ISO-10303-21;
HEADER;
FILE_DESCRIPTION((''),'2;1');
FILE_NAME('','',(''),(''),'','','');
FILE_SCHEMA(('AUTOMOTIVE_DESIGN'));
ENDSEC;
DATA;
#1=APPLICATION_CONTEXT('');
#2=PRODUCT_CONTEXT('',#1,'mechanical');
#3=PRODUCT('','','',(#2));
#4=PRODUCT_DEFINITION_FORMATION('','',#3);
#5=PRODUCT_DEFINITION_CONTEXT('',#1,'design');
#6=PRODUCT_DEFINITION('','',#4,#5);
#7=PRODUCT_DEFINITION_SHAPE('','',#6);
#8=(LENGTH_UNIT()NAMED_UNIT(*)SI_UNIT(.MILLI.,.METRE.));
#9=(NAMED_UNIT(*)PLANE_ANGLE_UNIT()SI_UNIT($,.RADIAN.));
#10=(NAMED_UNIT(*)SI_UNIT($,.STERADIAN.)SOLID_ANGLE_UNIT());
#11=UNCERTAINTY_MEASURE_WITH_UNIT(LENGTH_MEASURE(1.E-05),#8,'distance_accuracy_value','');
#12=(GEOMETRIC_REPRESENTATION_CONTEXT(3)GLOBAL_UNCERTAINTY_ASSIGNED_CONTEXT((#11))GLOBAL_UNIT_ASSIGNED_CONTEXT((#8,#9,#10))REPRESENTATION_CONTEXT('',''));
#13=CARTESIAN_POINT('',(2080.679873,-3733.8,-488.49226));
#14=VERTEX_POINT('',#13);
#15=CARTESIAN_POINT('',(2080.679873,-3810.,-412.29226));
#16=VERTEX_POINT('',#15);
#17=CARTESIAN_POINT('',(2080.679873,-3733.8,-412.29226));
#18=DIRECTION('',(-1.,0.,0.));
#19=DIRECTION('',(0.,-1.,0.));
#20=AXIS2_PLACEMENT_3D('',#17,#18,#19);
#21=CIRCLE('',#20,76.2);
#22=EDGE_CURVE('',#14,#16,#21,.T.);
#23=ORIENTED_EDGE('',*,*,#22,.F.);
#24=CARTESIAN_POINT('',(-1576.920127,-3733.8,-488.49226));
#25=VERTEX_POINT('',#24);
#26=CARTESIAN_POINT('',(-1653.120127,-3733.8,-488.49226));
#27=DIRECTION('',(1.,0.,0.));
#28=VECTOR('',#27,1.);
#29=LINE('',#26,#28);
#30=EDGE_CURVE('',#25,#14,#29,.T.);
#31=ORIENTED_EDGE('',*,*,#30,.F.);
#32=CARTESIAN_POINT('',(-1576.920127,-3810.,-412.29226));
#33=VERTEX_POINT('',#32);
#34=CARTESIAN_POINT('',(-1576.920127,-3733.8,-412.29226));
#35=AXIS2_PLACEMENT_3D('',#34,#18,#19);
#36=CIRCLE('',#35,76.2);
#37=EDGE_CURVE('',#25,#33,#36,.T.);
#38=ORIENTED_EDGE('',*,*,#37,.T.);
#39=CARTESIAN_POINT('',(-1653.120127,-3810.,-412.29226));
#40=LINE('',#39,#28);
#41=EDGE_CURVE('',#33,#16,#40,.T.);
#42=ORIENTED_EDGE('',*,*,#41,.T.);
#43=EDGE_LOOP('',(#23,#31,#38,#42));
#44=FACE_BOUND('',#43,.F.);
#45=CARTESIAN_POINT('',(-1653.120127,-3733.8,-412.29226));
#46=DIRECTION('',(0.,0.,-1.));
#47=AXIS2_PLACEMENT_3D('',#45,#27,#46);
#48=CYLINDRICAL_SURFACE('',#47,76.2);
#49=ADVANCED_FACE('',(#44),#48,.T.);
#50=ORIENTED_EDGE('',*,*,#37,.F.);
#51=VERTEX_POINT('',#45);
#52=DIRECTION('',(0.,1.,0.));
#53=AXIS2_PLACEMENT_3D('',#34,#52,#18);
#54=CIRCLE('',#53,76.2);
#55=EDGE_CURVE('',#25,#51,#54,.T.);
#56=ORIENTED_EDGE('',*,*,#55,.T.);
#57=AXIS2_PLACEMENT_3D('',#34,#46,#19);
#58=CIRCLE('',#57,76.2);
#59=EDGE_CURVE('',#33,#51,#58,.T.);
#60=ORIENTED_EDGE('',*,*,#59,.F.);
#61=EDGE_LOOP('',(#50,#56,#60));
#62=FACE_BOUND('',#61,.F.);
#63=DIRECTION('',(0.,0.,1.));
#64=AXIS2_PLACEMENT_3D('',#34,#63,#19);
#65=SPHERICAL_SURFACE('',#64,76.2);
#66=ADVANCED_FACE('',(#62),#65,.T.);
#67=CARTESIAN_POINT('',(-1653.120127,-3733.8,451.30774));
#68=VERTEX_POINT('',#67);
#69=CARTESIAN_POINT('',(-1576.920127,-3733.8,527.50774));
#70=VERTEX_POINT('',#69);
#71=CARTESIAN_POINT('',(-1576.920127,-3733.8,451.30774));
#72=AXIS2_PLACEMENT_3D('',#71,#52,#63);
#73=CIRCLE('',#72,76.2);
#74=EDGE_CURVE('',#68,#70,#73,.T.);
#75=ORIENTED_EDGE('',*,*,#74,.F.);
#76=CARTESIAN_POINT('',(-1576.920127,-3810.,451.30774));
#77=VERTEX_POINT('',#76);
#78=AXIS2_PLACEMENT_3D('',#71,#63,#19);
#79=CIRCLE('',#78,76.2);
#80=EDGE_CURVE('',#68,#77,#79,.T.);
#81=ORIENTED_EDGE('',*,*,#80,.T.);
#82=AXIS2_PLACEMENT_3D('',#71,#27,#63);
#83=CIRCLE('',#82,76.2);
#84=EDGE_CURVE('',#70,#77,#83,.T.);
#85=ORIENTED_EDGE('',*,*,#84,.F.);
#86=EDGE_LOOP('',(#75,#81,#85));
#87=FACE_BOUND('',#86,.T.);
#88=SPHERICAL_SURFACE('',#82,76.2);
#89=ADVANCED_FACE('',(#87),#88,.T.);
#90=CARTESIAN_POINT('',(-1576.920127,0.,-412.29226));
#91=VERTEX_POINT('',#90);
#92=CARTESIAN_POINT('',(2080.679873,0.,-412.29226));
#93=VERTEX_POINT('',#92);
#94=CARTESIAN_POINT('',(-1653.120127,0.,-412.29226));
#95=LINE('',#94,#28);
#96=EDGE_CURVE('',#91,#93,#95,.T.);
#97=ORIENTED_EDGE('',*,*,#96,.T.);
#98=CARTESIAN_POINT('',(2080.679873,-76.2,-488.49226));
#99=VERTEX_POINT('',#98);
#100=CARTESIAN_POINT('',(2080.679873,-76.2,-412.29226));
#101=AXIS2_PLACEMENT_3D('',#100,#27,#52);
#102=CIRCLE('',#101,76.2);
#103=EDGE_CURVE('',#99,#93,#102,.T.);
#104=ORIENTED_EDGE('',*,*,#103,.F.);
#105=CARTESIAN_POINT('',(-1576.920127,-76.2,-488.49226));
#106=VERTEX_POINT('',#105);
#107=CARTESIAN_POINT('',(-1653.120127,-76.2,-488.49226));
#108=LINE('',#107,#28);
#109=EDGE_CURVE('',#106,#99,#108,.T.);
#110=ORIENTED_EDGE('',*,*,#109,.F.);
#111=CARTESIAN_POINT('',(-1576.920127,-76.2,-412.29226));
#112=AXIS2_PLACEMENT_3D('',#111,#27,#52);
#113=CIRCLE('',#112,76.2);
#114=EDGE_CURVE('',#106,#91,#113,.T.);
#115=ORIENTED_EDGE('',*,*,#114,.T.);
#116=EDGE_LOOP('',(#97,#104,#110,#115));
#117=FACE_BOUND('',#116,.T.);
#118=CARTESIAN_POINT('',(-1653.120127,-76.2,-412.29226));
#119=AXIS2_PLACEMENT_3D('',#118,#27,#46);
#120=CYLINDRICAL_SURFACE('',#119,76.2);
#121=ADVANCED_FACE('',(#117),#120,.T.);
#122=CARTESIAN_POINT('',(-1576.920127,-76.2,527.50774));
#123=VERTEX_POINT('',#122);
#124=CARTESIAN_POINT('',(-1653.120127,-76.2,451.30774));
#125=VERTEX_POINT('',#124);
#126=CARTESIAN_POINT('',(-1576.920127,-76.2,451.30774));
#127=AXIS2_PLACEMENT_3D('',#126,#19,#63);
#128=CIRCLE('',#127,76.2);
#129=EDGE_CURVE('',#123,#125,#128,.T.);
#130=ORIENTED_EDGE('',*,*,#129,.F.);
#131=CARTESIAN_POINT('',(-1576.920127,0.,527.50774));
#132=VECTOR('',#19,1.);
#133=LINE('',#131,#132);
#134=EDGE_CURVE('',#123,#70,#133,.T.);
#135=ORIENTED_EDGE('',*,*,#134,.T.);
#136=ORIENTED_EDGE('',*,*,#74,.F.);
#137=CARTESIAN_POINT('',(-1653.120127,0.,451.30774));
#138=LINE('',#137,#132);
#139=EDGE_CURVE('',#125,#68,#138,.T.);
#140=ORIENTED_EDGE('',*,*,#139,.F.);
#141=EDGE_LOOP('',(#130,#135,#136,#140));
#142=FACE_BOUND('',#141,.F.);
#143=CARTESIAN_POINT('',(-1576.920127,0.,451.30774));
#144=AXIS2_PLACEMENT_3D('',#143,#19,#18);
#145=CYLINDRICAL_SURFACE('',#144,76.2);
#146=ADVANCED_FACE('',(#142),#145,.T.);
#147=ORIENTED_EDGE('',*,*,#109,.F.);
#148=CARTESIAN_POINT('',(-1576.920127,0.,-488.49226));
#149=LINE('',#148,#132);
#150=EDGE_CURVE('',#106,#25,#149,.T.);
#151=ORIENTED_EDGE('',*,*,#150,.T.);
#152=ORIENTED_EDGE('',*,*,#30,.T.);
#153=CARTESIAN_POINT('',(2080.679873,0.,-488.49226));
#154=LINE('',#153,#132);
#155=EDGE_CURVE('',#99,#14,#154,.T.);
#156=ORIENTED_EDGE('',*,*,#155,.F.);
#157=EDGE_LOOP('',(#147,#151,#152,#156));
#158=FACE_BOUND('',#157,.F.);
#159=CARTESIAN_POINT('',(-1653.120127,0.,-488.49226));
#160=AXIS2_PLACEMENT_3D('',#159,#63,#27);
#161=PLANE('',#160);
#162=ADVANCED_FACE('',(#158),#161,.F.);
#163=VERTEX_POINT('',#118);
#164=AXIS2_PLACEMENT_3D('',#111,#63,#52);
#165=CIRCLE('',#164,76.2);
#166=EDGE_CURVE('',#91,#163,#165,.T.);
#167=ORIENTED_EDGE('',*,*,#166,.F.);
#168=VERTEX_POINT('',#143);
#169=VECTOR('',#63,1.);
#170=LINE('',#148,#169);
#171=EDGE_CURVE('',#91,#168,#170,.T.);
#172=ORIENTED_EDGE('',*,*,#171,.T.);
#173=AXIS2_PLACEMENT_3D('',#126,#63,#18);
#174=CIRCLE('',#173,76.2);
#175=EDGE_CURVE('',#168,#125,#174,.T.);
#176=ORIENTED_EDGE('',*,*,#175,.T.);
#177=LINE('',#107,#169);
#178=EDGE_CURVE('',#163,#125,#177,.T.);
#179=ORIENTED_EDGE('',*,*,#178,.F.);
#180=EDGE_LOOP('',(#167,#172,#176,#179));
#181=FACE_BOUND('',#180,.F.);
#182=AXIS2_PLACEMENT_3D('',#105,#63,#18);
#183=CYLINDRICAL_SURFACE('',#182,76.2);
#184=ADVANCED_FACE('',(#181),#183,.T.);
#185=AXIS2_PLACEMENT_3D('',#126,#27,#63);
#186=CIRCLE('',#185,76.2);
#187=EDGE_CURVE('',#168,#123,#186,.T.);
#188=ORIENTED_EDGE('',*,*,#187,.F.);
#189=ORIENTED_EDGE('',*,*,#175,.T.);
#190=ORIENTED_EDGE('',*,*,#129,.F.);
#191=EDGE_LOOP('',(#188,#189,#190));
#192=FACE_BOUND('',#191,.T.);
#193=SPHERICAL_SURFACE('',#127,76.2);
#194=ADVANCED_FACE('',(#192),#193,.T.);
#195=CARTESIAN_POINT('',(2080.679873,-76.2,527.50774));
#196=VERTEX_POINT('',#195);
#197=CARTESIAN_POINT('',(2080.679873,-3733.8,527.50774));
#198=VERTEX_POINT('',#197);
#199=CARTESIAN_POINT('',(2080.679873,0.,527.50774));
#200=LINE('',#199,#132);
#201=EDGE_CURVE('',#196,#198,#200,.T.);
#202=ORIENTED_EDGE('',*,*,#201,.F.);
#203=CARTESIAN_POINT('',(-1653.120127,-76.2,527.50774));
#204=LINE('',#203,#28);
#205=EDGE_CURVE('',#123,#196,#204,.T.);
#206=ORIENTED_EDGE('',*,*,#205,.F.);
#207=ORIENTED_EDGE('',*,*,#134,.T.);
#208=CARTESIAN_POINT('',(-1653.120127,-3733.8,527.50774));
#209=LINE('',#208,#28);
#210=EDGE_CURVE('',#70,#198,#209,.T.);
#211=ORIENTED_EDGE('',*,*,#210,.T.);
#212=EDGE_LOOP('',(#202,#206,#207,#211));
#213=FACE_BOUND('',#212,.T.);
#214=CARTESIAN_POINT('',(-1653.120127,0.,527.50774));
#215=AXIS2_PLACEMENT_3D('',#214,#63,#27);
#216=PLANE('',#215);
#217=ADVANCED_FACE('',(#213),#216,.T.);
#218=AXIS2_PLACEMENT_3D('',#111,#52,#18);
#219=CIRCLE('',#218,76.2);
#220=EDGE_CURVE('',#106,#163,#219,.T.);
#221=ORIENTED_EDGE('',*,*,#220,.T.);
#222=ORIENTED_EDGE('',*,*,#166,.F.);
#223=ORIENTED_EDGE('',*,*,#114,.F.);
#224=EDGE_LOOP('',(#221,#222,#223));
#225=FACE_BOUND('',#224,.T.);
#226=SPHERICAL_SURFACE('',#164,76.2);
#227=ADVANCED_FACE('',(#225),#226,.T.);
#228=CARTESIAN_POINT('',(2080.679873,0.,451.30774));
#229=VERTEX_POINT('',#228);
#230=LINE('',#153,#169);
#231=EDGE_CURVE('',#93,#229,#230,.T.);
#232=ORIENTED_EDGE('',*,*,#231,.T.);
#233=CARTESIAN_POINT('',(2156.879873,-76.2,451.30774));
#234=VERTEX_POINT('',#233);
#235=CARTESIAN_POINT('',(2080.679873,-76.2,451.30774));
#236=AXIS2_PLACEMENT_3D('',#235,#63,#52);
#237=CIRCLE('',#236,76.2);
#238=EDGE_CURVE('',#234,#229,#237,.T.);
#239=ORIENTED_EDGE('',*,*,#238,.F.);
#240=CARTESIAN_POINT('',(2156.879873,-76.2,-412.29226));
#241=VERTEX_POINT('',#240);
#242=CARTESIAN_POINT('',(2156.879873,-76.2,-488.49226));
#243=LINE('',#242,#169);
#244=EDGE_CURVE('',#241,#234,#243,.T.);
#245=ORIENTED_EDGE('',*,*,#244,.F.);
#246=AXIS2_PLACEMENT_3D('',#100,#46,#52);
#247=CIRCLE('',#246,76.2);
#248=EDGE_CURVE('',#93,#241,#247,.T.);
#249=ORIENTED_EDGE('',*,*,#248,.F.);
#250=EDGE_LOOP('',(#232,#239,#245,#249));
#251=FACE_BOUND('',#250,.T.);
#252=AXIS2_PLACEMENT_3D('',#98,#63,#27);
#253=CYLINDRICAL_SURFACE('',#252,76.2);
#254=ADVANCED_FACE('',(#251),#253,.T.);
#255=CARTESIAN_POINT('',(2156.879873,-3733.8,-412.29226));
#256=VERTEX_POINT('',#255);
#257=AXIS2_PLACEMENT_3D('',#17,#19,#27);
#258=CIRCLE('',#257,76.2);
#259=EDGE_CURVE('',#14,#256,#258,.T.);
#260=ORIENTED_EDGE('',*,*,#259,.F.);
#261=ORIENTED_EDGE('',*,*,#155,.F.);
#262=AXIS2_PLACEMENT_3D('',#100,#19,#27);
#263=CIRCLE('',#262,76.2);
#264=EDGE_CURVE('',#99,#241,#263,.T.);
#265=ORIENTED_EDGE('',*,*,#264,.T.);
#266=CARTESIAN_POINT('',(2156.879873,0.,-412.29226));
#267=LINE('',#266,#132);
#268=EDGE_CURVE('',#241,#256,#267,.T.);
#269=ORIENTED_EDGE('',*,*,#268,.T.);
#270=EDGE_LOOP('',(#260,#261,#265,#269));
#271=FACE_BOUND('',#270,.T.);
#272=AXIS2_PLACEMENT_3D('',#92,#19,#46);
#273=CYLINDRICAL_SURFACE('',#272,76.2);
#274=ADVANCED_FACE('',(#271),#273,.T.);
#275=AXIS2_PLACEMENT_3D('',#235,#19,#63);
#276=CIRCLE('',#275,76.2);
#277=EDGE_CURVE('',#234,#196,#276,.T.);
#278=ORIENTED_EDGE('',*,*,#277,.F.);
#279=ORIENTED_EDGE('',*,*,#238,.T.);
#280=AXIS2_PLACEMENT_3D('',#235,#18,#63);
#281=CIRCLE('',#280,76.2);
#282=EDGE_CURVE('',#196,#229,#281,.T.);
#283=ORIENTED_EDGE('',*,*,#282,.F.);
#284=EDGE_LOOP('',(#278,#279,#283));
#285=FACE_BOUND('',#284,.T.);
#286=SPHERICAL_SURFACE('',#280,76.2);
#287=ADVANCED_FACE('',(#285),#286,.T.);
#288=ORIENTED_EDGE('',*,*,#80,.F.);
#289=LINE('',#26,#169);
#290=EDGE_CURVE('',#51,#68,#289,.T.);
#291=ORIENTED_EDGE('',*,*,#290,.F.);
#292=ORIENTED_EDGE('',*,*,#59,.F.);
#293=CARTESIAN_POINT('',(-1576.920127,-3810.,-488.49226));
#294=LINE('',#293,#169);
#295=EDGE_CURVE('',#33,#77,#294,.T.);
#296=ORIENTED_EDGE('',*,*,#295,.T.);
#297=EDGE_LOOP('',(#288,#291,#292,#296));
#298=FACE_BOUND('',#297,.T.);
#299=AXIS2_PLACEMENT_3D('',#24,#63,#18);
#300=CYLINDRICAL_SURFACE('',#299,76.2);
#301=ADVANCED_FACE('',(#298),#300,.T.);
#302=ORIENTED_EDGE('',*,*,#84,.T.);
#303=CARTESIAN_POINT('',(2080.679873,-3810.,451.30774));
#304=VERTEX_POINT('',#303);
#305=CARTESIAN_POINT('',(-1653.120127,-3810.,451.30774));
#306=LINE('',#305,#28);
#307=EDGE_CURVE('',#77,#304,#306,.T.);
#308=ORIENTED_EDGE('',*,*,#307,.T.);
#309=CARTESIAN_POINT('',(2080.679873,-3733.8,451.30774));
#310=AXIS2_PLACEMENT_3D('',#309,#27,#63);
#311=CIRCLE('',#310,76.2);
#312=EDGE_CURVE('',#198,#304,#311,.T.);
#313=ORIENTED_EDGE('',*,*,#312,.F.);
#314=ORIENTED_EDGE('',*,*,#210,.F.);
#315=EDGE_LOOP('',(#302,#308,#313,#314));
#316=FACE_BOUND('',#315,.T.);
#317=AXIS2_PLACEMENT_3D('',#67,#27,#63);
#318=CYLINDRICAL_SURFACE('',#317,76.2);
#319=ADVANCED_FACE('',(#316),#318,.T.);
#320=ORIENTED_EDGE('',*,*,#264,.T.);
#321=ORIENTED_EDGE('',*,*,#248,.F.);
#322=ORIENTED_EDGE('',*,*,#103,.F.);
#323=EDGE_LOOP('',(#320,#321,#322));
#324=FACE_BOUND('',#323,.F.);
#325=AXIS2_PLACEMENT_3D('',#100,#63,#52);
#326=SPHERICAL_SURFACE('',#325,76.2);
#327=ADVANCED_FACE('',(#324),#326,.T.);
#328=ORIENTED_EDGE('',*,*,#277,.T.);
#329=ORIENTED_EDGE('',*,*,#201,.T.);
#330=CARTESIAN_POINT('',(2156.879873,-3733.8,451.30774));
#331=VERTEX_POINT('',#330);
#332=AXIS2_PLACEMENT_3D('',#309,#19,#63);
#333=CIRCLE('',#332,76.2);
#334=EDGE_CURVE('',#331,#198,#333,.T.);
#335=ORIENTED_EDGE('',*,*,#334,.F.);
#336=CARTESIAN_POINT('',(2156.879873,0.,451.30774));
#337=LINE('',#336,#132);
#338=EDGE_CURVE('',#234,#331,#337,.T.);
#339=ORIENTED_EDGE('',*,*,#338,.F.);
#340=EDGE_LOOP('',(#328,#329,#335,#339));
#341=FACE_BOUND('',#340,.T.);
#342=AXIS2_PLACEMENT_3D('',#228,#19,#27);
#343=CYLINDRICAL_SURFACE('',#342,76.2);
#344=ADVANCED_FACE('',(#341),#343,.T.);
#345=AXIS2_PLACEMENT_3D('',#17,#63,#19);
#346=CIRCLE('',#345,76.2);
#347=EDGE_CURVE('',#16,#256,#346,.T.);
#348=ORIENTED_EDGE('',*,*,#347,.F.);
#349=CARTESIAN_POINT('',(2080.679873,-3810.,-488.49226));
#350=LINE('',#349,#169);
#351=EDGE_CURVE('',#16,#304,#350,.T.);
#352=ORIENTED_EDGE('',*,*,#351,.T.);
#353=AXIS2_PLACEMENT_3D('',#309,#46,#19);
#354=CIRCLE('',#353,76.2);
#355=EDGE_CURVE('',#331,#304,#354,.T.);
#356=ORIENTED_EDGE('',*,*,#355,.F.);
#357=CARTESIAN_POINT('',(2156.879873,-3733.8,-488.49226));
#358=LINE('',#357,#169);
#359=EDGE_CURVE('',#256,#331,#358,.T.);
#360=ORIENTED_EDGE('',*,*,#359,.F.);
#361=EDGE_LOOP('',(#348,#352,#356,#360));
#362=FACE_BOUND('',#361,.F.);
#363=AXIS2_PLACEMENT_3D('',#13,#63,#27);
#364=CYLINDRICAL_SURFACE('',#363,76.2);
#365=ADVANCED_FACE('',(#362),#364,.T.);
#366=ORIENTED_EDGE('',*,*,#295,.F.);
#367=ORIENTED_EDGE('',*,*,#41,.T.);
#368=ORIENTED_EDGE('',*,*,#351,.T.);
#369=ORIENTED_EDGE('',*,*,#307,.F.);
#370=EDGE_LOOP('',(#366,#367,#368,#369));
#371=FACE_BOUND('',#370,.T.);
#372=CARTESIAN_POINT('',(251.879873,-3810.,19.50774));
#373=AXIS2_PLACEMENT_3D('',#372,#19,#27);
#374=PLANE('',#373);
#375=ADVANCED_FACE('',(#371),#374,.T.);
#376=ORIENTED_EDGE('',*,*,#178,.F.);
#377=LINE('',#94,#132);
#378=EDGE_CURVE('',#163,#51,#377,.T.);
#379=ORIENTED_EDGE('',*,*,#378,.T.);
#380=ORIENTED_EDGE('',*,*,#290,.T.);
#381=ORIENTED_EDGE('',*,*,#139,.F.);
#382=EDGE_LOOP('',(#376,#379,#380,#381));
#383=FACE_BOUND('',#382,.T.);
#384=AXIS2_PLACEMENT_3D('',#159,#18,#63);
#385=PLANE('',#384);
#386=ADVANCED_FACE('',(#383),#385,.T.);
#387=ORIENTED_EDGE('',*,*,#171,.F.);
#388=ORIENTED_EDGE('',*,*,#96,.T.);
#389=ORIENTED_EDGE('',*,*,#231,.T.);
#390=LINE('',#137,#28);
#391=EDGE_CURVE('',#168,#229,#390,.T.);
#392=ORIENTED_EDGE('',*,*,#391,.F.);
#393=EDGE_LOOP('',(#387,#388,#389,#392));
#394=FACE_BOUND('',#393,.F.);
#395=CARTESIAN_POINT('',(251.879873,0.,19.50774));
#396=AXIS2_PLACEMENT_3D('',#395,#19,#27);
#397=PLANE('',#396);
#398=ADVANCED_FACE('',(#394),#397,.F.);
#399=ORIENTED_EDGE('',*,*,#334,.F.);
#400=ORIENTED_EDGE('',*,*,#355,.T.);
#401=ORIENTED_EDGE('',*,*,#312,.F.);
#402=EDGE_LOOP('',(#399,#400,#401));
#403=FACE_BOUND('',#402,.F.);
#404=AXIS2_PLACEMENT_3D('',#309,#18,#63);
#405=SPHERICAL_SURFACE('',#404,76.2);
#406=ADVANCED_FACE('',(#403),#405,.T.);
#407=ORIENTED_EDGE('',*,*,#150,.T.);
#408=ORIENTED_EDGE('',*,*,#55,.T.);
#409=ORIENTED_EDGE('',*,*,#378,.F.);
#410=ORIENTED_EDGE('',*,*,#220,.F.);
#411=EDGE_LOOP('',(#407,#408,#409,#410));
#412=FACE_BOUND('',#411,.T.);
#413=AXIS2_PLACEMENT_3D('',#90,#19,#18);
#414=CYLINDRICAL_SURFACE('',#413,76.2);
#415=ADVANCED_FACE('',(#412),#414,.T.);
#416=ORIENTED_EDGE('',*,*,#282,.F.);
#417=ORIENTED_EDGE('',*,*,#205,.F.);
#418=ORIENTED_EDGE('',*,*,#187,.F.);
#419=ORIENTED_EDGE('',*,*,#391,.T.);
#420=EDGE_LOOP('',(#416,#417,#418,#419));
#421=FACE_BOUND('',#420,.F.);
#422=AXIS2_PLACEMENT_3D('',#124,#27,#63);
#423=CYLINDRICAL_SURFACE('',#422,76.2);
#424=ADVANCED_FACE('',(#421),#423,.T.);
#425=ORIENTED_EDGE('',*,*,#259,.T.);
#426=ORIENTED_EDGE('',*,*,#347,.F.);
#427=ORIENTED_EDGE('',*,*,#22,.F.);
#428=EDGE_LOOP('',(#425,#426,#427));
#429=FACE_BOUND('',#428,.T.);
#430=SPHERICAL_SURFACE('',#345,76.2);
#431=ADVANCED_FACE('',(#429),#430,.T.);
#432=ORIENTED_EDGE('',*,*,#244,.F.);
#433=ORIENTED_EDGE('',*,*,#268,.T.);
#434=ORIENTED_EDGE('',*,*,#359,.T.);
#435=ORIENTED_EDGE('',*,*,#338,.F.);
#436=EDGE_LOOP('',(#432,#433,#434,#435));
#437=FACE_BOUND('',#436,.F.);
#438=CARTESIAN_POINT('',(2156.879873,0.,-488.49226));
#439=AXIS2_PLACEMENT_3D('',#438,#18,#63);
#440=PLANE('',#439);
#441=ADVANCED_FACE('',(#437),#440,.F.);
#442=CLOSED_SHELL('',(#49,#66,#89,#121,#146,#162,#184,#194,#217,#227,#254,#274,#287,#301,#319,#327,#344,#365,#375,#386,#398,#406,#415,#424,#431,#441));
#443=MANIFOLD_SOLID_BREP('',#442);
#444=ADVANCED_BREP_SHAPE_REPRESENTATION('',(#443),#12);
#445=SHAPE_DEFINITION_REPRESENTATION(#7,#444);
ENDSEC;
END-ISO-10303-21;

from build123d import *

# Parameters (mm, degrees)
F0_W     = 3810
F0_H     = 1016
F1_DEPTH = 3810
F2_R     = 76.2


with BuildPart() as f1:
    # F0 (on Front) → F1 (new body)
    with BuildSketch(Plane.XZ):
        with Locations((251.8798733399, 19.5077396929)):
            Rectangle(F0_W, F0_H)
    extrude(amount=F1_DEPTH)

    # F2
    f2_edges = [f1.edges().sort_by_distance(p)[0] for p in [
        (251.879873, -3810, 527.50774),
        (-1653.120127, -1905, 527.50774),
        (251.879873, 0, 527.50774),
        (2156.879873, -1905, 527.50774),
        (2156.879873, 0, 19.50774),
        (2156.879873, -3810, 19.50774),
        (-1653.120127, 0, 19.50774),
        (251.879873, 0, -488.49226),
        (-1653.120127, -3810, 19.50774),
        (251.879873, -3810, -488.49226),
        (2156.879873, -1905, -488.49226),
        (-1653.120127, -1905, -488.49226),
    ]]
    fillet(f2_edges, radius=F2_R)


solid = f1.part
